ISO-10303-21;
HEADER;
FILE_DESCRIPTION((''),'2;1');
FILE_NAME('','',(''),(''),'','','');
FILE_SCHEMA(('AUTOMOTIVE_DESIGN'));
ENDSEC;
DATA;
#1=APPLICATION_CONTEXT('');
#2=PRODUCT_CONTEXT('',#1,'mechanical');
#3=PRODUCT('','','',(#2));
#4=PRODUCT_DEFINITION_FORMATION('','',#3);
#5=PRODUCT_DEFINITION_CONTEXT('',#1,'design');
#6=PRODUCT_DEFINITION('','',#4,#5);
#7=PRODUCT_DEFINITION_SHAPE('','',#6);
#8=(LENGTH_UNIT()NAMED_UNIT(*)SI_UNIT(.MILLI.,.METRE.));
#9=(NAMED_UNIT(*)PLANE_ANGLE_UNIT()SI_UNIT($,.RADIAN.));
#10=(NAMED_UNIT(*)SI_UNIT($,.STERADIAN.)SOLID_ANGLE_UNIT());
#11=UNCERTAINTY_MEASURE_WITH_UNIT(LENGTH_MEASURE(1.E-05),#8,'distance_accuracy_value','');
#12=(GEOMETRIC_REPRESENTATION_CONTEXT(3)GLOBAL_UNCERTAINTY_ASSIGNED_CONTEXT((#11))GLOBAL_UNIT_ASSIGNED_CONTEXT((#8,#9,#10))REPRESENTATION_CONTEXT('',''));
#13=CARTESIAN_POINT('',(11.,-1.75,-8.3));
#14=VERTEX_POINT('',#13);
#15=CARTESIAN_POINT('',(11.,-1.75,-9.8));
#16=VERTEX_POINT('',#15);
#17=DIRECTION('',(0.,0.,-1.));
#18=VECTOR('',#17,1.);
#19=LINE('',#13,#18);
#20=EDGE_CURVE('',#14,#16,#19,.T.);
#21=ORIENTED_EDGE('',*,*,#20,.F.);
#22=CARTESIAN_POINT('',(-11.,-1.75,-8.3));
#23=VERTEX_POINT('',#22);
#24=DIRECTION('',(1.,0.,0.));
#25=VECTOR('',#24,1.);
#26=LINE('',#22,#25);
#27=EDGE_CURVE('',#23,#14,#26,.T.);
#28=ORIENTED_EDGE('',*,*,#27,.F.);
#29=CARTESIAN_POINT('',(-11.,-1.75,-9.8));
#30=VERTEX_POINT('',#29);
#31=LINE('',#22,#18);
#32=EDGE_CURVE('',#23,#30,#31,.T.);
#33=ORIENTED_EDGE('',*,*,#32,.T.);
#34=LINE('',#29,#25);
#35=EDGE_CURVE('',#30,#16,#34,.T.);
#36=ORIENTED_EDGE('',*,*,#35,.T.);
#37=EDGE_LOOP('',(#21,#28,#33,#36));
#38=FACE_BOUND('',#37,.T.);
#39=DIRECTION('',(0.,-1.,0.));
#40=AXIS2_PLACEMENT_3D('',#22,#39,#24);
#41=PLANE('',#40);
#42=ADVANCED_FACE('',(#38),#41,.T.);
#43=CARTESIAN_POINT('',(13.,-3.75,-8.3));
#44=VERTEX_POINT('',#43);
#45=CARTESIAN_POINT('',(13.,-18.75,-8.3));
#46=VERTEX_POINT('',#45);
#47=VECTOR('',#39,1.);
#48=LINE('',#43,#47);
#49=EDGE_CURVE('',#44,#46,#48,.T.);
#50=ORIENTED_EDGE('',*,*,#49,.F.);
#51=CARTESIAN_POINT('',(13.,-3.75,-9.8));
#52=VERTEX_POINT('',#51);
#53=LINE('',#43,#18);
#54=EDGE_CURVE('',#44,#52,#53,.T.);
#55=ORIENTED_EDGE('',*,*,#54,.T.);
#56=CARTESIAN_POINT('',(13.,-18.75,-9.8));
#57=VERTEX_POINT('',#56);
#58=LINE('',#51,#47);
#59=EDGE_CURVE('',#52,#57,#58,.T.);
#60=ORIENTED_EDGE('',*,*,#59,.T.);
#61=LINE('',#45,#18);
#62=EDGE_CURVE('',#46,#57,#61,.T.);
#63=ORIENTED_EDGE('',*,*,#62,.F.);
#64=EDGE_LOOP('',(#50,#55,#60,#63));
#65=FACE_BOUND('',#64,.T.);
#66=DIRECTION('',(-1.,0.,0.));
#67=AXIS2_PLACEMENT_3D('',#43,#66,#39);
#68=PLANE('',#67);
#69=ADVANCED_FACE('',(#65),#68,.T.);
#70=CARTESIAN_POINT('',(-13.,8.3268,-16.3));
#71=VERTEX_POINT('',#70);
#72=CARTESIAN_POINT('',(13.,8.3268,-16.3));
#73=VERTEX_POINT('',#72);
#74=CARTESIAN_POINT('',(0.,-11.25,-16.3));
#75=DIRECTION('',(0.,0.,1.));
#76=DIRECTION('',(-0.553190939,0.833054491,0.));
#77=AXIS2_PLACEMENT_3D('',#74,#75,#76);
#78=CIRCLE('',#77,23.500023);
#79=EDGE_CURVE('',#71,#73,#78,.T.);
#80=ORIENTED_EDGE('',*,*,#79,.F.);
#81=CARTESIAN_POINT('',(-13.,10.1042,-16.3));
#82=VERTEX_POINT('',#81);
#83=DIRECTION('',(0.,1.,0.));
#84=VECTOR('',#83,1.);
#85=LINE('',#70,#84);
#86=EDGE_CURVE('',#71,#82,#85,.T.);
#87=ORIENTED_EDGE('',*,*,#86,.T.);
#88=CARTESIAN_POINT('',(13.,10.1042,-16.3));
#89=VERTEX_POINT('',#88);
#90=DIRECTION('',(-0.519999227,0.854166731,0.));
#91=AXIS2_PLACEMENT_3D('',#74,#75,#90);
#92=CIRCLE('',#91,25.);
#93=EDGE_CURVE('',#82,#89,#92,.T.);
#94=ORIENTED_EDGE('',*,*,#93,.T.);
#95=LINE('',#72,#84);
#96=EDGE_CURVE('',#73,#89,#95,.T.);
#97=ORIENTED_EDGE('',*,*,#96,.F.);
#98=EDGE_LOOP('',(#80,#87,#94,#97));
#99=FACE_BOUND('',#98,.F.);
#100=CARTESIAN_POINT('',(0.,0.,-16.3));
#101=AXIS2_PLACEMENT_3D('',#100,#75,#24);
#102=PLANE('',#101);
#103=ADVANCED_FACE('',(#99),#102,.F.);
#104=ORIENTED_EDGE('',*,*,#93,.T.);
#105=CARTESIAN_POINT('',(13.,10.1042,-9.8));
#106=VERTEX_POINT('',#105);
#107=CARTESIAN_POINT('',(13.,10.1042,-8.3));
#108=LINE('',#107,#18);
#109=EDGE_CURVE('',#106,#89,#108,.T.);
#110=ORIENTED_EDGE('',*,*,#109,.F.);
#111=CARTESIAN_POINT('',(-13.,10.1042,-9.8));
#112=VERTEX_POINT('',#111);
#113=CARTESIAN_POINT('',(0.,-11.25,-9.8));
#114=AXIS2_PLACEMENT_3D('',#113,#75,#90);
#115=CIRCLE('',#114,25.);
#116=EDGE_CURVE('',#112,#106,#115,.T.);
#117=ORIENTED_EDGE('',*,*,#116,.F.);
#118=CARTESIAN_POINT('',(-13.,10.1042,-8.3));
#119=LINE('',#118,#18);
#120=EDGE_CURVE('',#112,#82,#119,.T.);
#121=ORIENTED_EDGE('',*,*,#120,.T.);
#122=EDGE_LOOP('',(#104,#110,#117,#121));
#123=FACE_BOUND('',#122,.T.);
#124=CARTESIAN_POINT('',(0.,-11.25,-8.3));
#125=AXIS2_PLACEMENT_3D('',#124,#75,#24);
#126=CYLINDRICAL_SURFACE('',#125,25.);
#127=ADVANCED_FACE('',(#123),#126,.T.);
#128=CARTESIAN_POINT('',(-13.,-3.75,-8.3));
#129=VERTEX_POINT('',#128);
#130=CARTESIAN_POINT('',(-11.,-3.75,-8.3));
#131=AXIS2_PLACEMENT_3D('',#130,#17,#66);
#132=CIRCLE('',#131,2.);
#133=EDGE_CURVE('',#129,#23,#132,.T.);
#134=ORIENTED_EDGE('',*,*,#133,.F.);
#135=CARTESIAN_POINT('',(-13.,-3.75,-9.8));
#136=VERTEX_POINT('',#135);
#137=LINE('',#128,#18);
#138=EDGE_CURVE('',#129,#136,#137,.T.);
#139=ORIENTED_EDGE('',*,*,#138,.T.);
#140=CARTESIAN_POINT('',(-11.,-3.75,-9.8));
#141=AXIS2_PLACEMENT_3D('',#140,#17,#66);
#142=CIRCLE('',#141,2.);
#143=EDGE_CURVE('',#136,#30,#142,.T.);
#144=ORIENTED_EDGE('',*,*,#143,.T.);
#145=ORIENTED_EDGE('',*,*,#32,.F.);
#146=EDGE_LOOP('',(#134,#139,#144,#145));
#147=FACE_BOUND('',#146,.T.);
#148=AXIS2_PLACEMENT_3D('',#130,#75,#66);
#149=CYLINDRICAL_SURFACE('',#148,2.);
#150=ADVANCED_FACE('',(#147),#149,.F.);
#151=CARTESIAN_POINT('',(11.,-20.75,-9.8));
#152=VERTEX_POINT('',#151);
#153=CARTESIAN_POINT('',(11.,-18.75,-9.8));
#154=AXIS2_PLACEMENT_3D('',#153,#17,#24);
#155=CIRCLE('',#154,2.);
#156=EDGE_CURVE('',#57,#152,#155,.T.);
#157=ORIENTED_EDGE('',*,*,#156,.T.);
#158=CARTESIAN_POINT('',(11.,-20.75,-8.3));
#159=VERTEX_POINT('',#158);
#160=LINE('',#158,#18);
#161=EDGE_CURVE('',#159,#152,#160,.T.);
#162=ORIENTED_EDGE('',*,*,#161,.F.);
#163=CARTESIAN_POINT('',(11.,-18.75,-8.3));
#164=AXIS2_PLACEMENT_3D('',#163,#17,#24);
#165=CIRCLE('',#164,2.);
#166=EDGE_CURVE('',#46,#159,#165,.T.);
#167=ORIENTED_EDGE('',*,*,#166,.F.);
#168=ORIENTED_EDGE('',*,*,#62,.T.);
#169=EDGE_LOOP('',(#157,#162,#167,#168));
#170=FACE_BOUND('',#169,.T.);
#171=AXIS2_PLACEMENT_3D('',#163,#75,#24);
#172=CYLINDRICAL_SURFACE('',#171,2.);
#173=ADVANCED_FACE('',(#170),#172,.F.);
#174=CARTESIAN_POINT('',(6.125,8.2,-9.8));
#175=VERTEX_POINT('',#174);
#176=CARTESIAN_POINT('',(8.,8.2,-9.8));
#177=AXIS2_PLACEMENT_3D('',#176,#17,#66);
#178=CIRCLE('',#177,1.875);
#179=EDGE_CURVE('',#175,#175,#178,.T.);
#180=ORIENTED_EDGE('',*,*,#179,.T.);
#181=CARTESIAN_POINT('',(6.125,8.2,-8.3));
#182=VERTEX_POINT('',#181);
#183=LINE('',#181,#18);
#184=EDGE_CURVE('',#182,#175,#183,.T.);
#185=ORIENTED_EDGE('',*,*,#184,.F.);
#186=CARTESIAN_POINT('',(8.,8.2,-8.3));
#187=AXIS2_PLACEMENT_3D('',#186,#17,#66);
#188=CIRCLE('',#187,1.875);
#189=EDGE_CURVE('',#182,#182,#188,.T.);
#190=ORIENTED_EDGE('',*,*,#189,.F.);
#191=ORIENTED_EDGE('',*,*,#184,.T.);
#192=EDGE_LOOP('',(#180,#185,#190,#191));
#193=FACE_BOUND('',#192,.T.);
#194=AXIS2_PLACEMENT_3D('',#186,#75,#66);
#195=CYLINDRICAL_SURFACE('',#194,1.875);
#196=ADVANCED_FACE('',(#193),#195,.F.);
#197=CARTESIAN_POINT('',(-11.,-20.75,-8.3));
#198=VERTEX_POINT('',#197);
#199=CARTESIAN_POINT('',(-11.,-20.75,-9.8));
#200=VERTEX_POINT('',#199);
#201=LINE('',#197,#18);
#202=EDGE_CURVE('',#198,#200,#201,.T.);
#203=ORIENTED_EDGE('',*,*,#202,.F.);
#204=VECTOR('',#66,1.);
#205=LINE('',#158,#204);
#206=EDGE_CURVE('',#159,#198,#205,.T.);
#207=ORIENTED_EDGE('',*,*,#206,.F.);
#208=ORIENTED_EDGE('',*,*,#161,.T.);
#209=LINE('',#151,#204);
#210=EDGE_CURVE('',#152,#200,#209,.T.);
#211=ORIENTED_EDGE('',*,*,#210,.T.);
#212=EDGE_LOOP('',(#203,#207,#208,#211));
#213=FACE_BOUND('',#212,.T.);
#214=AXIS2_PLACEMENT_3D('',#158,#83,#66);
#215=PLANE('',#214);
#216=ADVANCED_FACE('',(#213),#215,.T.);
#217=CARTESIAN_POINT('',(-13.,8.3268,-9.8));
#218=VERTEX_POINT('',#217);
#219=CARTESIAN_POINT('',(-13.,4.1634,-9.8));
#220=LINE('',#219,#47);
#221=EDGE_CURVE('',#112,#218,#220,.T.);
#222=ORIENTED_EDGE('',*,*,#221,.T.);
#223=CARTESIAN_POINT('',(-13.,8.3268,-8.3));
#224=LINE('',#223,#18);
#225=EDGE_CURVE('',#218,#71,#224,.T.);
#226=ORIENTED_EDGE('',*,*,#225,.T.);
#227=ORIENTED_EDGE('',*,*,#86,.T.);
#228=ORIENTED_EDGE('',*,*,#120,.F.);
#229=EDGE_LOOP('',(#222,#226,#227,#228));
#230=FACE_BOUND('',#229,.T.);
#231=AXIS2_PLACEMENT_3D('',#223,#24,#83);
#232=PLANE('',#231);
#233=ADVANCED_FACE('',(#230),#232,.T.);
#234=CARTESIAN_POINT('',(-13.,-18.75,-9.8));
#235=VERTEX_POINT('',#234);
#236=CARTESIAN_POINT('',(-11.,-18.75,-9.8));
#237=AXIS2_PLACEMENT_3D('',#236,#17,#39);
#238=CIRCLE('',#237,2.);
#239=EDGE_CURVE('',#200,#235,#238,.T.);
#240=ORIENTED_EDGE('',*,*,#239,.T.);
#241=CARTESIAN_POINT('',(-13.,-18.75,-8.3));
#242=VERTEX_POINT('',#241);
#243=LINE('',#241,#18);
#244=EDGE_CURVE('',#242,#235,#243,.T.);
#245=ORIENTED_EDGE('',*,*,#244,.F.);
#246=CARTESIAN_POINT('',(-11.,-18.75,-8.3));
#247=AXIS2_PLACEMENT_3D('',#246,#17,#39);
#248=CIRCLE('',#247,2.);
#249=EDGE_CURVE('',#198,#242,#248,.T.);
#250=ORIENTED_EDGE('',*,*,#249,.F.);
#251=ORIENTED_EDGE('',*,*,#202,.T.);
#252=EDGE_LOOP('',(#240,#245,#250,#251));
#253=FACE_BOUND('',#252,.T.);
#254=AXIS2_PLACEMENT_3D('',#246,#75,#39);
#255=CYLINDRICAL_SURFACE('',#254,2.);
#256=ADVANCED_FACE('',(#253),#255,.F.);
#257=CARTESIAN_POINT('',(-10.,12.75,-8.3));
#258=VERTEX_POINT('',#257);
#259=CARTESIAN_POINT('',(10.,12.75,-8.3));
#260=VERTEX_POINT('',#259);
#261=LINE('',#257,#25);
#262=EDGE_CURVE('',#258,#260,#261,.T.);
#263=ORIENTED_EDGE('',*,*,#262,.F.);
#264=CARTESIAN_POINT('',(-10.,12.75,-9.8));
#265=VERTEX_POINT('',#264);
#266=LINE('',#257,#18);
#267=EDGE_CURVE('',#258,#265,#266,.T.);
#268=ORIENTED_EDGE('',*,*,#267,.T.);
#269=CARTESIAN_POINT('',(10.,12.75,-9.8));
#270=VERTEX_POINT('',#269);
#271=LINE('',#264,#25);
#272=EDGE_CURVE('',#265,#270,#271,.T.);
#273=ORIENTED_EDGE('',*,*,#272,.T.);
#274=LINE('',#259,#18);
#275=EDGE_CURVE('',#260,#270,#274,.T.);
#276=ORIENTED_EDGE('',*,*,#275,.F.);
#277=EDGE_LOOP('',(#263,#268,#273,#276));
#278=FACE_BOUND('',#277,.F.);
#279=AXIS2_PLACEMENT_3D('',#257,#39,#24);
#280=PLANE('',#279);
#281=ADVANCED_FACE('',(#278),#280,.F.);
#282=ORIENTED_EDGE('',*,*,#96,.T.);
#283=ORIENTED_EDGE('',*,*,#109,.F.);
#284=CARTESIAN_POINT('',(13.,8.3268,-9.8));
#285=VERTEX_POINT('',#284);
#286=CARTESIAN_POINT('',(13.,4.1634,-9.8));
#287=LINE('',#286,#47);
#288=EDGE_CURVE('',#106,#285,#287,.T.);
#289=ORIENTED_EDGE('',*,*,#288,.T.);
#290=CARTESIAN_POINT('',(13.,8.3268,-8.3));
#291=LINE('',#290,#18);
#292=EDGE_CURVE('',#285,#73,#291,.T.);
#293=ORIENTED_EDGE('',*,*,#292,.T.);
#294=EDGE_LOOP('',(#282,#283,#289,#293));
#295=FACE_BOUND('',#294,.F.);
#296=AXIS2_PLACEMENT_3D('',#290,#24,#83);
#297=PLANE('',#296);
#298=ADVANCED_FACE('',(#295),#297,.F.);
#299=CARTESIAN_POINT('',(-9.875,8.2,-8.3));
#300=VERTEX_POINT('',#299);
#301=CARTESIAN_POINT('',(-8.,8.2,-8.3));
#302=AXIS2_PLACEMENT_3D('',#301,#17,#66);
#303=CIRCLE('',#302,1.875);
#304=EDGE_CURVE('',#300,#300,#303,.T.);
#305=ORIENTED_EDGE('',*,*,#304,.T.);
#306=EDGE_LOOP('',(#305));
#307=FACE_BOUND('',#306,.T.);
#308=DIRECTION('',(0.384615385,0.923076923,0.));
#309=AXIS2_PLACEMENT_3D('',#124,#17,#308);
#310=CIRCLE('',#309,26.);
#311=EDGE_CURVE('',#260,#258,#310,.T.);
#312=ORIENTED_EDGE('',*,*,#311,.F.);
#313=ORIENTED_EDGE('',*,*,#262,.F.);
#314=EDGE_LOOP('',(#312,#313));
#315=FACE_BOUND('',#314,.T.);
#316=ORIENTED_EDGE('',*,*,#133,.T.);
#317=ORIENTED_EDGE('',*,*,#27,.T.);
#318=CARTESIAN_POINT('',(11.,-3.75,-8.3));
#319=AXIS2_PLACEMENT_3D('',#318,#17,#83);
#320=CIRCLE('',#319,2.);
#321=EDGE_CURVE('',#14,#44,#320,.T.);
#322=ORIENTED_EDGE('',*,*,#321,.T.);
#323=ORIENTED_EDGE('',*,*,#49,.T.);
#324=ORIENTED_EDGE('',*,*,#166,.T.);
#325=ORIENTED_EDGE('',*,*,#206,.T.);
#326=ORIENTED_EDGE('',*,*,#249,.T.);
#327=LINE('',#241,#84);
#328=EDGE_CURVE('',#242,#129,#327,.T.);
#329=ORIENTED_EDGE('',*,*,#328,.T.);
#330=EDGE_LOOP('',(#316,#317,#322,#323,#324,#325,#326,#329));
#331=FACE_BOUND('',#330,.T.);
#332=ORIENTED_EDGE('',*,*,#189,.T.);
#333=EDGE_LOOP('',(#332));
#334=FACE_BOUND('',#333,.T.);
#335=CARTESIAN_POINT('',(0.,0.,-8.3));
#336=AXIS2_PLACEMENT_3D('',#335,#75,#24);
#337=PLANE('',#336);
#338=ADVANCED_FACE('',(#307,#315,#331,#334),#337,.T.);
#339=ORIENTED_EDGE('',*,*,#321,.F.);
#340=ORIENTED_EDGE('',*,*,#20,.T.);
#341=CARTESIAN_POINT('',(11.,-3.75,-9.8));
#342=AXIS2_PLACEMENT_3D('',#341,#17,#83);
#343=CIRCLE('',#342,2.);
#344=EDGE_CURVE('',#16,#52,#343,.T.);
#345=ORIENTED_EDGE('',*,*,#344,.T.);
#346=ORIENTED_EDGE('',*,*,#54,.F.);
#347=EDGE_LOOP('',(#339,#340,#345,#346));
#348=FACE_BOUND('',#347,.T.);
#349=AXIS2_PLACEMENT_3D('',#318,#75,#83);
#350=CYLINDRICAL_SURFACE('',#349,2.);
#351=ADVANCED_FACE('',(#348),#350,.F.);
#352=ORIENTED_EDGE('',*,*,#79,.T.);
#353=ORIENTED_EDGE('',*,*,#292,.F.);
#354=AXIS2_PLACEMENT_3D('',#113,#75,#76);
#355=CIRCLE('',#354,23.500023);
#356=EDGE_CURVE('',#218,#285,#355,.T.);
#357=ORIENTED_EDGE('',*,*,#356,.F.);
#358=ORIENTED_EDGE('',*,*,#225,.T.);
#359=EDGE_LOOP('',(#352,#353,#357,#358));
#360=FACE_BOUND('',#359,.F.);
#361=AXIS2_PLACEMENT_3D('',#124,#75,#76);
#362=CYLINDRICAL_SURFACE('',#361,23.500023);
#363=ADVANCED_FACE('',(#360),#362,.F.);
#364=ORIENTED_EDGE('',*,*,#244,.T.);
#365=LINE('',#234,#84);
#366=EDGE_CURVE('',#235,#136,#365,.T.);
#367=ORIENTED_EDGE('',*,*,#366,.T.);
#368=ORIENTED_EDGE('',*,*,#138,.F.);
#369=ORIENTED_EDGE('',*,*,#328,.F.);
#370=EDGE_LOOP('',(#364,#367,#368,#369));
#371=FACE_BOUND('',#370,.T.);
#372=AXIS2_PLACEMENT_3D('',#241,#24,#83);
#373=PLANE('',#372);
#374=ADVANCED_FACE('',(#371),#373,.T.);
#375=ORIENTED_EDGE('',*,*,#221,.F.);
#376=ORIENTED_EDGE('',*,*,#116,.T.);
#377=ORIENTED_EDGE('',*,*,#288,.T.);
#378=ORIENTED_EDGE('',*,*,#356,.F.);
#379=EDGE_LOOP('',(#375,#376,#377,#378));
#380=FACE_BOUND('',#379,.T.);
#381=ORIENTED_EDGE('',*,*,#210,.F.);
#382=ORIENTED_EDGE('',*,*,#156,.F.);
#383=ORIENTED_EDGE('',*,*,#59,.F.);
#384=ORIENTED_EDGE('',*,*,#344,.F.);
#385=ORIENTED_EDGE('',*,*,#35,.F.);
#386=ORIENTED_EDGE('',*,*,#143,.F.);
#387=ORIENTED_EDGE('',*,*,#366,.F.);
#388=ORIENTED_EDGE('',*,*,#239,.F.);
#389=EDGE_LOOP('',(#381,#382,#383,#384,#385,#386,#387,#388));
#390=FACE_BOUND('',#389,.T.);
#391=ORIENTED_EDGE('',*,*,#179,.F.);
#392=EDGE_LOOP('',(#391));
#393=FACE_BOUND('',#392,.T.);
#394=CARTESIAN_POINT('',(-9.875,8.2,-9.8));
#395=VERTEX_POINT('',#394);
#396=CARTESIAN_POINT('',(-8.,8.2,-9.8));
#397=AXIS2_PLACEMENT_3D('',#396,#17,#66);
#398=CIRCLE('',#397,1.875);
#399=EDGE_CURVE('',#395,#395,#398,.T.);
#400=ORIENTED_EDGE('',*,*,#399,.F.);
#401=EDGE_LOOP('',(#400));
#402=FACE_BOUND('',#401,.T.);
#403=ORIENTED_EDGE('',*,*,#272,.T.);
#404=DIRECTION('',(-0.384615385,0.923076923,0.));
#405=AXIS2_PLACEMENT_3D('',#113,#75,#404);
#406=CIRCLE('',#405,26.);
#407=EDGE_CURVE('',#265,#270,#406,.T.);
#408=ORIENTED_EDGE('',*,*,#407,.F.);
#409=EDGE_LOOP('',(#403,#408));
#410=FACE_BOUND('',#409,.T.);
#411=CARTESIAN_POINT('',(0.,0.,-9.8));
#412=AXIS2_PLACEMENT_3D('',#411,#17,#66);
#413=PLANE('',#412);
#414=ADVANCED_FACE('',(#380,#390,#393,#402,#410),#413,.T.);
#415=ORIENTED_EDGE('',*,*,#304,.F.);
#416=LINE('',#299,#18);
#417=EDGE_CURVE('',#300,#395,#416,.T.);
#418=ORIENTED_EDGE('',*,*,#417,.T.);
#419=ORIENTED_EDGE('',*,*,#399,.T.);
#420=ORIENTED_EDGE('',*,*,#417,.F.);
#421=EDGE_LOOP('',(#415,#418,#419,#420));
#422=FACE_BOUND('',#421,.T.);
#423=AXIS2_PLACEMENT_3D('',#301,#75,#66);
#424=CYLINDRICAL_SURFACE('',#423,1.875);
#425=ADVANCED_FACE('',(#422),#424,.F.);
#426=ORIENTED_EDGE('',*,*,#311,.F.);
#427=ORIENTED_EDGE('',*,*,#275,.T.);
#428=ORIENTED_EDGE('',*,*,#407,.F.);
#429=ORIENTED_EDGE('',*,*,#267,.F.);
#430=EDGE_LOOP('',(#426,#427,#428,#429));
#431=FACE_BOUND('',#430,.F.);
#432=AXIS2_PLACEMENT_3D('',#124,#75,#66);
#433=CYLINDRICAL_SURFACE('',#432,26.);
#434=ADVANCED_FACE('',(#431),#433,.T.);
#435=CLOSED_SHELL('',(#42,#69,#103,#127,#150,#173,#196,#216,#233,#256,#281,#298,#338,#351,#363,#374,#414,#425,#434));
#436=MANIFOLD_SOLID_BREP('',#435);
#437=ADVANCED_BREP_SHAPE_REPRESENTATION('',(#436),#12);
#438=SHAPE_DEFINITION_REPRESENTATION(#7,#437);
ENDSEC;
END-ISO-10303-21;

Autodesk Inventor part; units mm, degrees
ref_plane "YZ Plane" through (0, 0, 0) normal (1, 0, 0) x (0, 1, 0)
ref_plane "作業平面1" through (0, 0, 0) normal (0, 0, 1) x (1, 0, 0)
ref_plane "作業平面2" through (0, 0, -8.3) normal (0, 0, -1) x (-1, 0, 0)
sketch "スケッチ1" plane through (0, 0, -8.3) normal (0, 0, -1) x (-1, 0, 0)
  circle A0 centre (0, -11.25) radius 6.5 projected
  circle A1 centre (0, -11.25) radius 26
  line L0 (10, 12.75) -> (-10, 12.75)
  line L1 (11, -1.75) -> (-11, -1.75)
  line L2 (-13, -3.75) -> (-13, -18.75)
  line L3 (-11, -20.75) -> (11, -20.75)
  line L4 (13, -18.75) -> (13, -3.75)
  line L5 (13, -1.75) -> (-13, -20.75) construction
  line L6 (-13, -1.75) -> (13, -20.75) construction
  arc A2 (11, -20.75) -> (13, -18.75) centre (11, -18.75) ccw
  arc A3 (13, -3.75) -> (11, -1.75) centre (11, -3.75) ccw
  arc A4 (-11, -1.75) -> (-13, -3.75) centre (-11, -3.75) ccw
  arc A5 (-13, -18.75) -> (-11, -20.75) centre (-11, -18.75) ccw
  circle A6 centre (8, 8.2) radius 2.425 projected
  circle A7 centre (-8, 8.2) radius 2.425 projected
  circle A8 centre (8, 8.2) radius 1.875
  circle A9 centre (-8, 8.2) radius 1.875
  point P0 (0, 0)
  dimension "d0" = 52
  dimension "d1" = 20
  dimension "d2" = 26
  dimension "d3" = 19
  dimension "d4" = 2
  dimension "d7" = 3.75
extrude "押し出し1" add sketch "スケッチ1" along normal blind 1.5 contours A1 L0 | A6 | A7 picked at (-0.9365, -26.1993)
sketch "スケッチ2" plane through (0, 0, -8.3) normal (0, 0, 1) x (1, 0, 0)
  circle A0 centre (0, -11.25) radius 25
  arc A1 (-10, 12.75) -> (10, 12.75) centre (0, -11.25) ccw projected
  arc A2 (-13, 8.3268) -> (13, 8.3268) centre (0, -11.25) ccw
  line L0 (-13, 8.3268) -> (-13, 10.1042)
  line L1 (13, 8.3268) -> (13, 10.1042)
  point P0 (0, 0)
  point P1 (13, 9.2155)
  dimension "d8" = 50
  dimension "d9" = 1.5
  dimension "d10" = 26
extrude "押し出し2" add sketch "スケッチ2" against normal blind 8 contours A0 L0 A2 L1 picked at (19.47, 2.5836)
properties part number "Mirror_Mount"
